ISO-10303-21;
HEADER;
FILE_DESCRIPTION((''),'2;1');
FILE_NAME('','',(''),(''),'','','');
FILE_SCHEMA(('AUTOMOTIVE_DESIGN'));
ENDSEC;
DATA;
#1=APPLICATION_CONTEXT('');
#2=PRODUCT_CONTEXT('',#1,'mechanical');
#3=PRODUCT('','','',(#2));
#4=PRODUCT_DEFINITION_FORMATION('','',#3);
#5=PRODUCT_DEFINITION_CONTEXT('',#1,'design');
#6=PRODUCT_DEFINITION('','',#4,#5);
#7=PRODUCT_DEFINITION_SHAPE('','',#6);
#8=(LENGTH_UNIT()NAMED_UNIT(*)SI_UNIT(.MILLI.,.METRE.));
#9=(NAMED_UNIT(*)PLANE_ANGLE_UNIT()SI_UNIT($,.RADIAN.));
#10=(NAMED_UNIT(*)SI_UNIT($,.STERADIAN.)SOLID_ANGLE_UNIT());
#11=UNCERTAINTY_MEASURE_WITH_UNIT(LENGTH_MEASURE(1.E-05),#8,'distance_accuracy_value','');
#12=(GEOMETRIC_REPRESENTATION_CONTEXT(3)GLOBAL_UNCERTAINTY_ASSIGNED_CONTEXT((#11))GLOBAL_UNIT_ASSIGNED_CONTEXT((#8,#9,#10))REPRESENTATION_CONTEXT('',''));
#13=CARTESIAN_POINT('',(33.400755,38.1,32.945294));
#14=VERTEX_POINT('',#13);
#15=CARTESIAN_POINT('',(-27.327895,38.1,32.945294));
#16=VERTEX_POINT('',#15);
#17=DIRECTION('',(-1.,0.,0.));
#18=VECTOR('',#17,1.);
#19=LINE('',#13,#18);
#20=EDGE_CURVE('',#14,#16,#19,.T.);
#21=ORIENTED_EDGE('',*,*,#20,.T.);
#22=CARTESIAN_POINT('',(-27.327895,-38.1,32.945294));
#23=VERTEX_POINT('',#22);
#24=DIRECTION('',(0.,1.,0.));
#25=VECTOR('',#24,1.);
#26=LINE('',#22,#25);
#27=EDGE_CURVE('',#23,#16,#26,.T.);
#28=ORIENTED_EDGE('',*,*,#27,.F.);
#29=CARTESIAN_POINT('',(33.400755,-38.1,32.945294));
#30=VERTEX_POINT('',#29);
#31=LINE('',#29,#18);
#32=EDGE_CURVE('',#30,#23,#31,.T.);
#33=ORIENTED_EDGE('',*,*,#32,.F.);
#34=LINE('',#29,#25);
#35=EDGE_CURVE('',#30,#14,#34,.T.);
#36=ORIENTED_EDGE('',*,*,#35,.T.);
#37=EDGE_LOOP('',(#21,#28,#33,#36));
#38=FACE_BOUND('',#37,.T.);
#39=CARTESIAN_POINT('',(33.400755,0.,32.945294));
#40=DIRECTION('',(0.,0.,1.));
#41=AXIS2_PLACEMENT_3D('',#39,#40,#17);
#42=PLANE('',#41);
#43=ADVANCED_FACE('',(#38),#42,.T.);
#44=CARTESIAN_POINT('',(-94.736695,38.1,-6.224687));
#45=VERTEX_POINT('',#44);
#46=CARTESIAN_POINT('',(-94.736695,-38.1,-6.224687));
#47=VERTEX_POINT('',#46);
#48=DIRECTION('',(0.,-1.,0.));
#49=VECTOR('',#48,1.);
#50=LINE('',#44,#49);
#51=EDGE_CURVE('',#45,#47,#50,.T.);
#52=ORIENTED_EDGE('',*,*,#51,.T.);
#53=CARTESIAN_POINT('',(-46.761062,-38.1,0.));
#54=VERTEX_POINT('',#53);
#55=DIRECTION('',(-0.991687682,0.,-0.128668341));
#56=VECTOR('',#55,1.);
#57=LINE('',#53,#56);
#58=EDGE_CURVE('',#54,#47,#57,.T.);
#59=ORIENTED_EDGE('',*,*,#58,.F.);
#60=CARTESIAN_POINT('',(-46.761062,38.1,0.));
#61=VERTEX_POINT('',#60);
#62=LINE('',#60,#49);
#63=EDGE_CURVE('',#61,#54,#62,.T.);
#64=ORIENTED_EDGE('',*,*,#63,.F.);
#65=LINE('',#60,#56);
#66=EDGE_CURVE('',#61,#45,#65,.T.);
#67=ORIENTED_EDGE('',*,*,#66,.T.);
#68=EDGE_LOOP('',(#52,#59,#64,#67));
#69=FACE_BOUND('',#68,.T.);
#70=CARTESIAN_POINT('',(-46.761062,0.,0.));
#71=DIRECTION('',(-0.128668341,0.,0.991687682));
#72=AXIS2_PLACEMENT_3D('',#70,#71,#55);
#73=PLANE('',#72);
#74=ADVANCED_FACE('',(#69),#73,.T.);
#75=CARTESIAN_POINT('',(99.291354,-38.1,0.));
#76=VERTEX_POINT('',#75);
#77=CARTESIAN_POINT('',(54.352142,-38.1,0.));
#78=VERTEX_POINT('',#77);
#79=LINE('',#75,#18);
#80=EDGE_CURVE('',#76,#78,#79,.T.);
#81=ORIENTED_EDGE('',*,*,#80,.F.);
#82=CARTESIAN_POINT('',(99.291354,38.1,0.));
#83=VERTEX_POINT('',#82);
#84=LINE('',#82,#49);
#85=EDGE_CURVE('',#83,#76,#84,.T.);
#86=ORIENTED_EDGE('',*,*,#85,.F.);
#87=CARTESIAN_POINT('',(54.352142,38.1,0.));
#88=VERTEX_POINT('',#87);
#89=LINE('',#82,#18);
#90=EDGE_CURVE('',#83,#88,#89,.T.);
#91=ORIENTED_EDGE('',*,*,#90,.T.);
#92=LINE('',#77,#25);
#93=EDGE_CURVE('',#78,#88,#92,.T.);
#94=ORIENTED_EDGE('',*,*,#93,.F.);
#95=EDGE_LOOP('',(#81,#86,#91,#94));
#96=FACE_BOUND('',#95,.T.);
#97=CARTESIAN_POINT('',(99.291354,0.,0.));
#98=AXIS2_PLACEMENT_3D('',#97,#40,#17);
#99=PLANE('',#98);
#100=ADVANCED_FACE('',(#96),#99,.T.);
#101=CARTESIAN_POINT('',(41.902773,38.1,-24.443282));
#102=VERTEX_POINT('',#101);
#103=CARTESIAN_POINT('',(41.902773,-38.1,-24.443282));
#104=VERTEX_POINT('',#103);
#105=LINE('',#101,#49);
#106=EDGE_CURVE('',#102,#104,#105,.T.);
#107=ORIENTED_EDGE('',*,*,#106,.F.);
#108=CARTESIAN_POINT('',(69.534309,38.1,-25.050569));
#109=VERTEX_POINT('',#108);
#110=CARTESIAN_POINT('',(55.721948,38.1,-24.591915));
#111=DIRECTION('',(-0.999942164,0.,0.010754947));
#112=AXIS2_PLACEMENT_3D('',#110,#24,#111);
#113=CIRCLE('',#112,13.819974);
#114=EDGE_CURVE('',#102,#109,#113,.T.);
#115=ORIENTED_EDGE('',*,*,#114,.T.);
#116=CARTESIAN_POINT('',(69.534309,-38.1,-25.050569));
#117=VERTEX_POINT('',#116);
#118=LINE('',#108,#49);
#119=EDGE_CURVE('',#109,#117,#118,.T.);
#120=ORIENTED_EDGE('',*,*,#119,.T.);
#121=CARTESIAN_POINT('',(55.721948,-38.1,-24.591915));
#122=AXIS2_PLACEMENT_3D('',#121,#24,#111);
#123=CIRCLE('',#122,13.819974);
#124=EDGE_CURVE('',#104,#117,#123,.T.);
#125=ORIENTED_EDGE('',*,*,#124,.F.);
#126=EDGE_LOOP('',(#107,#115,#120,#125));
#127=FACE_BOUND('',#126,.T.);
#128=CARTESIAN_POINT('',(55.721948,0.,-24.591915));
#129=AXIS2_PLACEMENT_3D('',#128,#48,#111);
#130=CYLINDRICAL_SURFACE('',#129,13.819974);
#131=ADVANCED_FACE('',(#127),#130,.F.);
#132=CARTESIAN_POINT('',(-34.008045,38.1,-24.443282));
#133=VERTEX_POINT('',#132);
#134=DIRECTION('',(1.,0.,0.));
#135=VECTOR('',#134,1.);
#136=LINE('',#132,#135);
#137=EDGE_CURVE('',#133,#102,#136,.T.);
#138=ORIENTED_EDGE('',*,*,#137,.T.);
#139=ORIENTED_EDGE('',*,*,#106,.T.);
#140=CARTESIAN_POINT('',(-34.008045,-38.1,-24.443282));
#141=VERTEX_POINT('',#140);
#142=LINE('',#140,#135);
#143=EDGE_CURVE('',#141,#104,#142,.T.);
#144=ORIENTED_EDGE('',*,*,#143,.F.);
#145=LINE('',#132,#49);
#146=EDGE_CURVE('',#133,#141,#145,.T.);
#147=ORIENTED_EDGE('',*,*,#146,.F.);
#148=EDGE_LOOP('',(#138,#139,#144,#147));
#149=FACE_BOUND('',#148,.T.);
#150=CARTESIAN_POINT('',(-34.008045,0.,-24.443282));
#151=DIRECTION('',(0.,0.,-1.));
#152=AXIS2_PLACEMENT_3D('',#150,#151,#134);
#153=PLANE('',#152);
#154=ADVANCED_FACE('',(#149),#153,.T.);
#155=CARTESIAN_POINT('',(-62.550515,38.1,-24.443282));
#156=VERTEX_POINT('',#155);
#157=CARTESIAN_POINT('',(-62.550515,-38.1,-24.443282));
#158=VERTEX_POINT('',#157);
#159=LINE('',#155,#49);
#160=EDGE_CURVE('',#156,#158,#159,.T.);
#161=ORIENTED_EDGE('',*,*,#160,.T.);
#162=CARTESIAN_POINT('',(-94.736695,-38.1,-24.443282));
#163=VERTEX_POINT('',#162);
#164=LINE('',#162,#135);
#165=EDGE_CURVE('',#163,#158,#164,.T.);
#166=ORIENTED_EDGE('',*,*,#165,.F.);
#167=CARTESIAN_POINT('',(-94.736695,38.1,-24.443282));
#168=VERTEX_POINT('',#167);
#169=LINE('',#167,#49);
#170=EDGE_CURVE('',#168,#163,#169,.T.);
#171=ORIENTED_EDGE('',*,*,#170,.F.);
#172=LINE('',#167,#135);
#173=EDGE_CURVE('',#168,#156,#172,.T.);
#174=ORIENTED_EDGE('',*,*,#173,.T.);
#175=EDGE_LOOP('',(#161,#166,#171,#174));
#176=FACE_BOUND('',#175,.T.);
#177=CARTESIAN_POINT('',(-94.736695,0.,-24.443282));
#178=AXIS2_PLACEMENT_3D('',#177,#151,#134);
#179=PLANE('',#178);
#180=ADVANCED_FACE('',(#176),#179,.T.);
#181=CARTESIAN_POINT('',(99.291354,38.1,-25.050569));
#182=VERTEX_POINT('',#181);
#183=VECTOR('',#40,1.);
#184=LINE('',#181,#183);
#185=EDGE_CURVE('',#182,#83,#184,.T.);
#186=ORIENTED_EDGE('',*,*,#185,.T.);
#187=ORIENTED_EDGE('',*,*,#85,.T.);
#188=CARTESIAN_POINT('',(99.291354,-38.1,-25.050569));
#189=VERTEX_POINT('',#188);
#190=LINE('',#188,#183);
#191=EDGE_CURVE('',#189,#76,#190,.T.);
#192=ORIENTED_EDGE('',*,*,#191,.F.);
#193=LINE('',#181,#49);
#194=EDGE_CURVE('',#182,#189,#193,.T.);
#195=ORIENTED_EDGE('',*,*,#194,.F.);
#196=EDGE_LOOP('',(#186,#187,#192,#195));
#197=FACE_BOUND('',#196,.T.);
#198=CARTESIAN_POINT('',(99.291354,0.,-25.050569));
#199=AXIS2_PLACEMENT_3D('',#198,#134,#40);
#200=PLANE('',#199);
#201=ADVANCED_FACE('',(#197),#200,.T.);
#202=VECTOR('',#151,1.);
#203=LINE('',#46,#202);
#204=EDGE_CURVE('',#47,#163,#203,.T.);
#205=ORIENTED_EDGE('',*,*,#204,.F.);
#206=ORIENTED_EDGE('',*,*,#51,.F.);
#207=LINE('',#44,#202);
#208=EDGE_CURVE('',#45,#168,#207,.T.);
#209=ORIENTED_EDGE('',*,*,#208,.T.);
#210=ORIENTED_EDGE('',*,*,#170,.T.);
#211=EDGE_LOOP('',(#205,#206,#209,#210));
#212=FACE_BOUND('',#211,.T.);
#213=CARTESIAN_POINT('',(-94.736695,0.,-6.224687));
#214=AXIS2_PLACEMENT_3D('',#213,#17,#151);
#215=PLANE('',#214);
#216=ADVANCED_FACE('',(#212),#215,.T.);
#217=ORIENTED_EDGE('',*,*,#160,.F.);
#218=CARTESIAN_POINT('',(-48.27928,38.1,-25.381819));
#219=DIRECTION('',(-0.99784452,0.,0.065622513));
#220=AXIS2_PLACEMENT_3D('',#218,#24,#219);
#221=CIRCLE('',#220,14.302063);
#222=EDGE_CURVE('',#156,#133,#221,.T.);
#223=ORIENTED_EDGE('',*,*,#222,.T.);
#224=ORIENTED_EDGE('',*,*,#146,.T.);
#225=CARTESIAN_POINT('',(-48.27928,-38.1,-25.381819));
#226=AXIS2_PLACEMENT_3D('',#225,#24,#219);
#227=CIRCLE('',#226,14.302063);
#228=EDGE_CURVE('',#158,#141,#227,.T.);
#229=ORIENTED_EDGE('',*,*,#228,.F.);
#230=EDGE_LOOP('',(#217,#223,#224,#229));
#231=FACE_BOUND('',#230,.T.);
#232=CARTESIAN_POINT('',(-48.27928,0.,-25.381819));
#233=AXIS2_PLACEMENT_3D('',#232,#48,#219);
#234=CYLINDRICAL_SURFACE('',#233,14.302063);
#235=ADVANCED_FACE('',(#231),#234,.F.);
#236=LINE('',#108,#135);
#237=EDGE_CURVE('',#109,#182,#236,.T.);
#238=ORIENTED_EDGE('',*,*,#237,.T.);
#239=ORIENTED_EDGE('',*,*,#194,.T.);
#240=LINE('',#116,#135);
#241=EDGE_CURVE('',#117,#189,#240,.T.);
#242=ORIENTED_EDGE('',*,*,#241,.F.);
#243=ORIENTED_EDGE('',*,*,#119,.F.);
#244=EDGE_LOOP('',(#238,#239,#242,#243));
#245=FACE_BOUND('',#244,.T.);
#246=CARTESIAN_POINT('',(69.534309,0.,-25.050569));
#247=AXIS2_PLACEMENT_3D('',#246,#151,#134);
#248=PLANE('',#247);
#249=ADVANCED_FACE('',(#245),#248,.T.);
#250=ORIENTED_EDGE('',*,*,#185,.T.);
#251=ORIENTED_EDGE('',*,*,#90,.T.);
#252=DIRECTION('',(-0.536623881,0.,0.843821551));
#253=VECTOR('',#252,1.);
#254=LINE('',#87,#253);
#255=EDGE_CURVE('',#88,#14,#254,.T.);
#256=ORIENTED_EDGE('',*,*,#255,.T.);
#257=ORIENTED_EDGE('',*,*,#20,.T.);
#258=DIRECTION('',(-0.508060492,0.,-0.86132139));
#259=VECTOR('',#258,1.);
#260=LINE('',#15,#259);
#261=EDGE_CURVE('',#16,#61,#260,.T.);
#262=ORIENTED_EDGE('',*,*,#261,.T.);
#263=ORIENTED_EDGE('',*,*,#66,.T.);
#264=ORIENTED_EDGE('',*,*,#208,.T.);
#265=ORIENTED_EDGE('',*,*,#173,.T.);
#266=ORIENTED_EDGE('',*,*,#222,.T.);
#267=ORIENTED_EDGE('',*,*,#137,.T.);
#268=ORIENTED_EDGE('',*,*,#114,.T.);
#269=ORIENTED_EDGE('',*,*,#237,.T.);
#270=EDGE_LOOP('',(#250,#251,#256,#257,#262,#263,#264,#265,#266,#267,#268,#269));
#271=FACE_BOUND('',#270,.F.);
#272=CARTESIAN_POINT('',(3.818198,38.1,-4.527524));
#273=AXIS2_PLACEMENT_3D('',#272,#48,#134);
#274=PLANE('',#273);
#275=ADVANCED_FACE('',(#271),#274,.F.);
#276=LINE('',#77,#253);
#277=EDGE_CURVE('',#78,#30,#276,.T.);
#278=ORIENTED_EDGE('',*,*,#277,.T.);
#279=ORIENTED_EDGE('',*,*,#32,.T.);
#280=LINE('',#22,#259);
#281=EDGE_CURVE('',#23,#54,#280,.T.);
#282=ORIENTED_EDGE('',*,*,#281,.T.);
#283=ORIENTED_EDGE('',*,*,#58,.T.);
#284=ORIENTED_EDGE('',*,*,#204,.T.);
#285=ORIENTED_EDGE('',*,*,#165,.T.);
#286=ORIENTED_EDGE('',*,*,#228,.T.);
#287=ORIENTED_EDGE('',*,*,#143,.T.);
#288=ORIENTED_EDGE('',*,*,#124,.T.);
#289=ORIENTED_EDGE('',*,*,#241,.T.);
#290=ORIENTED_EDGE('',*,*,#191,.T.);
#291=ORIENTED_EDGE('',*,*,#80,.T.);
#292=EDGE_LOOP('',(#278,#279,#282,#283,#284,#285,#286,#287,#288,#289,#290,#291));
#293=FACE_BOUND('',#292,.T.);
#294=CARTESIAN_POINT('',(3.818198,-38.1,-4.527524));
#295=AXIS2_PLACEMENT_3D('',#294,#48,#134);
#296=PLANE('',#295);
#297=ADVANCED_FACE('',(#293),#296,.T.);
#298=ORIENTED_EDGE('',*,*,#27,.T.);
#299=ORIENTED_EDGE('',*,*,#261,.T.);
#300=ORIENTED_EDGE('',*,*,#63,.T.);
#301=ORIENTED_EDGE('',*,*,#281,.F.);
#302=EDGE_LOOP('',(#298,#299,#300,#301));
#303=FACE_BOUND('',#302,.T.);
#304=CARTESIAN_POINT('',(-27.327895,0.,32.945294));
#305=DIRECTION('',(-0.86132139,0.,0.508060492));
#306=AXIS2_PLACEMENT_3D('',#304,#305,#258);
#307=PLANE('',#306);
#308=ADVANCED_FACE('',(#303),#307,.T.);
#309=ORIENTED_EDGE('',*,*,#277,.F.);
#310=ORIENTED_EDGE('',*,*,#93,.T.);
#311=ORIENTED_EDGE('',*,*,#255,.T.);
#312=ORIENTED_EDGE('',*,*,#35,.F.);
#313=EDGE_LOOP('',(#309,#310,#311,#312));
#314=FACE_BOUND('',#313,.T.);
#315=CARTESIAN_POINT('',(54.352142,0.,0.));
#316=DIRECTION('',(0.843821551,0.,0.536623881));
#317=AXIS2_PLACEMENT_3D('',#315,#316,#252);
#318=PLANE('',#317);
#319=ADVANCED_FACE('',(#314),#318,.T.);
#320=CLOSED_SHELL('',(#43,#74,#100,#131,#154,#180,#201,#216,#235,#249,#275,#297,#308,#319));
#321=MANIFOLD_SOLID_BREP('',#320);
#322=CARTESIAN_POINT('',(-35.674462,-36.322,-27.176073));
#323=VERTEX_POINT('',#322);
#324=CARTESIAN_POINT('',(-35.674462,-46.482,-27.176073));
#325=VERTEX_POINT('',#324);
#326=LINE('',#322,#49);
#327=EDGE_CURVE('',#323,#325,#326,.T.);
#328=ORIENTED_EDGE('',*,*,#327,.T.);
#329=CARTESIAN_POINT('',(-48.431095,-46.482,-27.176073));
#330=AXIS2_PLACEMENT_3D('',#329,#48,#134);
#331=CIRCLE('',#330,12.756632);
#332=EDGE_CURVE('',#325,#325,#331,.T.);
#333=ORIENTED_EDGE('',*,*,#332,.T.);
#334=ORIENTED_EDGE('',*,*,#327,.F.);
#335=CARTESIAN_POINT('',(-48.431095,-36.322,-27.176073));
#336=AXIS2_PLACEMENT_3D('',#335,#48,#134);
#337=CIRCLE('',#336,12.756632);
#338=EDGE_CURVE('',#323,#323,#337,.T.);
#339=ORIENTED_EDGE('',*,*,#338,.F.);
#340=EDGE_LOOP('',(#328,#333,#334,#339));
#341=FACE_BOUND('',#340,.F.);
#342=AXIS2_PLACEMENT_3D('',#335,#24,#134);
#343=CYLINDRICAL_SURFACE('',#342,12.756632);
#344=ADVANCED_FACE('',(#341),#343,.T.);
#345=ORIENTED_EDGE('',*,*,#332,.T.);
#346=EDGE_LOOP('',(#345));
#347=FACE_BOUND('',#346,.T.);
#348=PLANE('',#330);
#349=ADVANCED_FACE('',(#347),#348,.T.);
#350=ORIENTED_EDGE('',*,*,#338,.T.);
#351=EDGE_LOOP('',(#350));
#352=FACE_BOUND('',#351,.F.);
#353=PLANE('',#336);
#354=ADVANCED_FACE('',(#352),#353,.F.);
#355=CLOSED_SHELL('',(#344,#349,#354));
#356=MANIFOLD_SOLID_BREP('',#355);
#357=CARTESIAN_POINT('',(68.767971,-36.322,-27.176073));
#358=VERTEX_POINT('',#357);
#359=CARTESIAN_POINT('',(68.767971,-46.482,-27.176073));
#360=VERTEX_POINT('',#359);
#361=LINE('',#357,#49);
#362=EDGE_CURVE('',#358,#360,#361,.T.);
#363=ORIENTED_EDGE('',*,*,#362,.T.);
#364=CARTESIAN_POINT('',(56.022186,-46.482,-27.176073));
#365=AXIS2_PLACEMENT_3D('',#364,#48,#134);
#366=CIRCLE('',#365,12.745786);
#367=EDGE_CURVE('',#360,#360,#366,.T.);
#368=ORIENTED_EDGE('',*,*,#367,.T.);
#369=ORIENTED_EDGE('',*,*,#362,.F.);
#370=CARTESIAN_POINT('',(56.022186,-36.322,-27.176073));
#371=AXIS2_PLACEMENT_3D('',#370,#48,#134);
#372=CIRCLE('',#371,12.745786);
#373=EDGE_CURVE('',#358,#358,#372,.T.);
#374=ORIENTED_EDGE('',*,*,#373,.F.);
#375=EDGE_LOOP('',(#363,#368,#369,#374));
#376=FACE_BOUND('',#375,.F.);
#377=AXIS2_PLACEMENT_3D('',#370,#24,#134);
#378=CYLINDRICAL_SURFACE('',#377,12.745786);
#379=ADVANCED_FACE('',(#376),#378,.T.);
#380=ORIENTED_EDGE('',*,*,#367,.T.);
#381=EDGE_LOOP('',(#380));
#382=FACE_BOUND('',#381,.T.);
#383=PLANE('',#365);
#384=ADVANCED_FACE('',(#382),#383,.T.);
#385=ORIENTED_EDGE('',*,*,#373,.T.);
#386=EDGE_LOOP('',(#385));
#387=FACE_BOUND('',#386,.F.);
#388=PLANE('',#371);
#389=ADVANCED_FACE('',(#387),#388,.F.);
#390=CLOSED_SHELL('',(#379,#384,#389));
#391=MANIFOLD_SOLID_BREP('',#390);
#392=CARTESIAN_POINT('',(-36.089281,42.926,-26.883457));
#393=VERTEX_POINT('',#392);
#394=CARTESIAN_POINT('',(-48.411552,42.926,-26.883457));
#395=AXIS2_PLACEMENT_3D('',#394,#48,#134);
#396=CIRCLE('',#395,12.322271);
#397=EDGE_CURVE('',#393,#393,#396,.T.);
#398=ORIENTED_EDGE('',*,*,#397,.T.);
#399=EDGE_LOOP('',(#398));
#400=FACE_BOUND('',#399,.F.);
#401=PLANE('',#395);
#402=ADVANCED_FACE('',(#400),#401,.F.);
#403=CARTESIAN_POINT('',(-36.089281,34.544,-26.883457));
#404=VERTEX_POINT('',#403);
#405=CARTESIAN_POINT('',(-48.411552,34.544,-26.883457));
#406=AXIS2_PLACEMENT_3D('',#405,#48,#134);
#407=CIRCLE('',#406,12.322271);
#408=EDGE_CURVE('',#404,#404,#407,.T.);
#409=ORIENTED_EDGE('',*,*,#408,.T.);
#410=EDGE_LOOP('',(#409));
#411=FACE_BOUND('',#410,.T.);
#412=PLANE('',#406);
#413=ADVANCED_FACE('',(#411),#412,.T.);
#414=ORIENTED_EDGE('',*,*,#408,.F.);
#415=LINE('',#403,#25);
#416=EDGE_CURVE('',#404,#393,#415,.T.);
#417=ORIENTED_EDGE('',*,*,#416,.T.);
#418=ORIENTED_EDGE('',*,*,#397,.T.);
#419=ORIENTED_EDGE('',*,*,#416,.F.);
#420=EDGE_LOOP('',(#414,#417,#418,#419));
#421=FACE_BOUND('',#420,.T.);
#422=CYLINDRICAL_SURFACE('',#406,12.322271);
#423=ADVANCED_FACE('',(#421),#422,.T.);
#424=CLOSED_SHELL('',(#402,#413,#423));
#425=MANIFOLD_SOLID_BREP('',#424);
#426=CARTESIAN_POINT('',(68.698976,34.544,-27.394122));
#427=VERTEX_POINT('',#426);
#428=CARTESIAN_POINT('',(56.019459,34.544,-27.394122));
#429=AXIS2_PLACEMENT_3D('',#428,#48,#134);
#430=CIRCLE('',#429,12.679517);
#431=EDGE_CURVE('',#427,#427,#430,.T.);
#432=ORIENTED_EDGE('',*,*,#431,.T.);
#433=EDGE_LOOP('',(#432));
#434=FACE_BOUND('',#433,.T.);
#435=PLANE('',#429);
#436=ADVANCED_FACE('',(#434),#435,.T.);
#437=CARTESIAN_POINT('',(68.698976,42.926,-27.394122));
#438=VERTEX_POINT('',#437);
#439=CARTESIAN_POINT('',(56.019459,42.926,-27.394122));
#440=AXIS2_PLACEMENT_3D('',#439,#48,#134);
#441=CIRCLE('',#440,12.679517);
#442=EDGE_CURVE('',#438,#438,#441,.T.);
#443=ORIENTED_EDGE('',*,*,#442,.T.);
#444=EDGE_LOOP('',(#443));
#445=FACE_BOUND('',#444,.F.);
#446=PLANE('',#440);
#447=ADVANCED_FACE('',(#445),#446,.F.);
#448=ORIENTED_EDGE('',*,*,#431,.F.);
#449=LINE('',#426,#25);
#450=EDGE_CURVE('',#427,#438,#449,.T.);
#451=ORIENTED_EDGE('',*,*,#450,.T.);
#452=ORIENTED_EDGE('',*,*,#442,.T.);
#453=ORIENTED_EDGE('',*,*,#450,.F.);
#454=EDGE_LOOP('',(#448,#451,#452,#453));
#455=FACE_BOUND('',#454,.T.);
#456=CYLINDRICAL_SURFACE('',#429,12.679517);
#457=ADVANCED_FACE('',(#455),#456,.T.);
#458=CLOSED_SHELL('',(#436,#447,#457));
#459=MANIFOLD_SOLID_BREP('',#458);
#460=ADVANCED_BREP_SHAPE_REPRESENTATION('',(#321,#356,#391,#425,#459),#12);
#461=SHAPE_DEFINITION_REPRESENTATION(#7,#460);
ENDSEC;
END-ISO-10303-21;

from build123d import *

# Parameters (mm, degrees)
F1_DEPTH      = 38.1
F1_DEPTH_BACK = 38.1
F3_START      = 36.322
F2_R          = 12.7566324115
F3_DEPTH      = 10.16
F2_R_2        = 12.7457855715
F5_START      = -34.544
F4_R          = 12.6795167038
F5_DEPTH      = 8.382
F4_R_2        = 12.3222708478


with BuildPart() as f1:
    # F0 (on Front) → F1 (new body, two sides)
    with BuildSketch(Plane.XZ) as f1_sk:
        with BuildLine():
            Line((-27.3278951645, 32.9452939332), (-46.7610619962, 0))
            Line((-46.7610619962, 0), (-94.7366952896, -6.2246867456))
            Line((-94.7366952896, -6.2246867456), (-94.7366952896, -24.4432818145))
            Line((-94.7366952896, -24.4432818145), (-62.5505149364, -24.4432818145))
            ThreePointArc((-62.5505149364, -24.4432818145), (-48.279279843, -11.0797562121), (-34.0080447495, -24.4432818145))
            Line((-34.0080447495, -24.4432818145), (41.9027730823, -24.4432818145))
            ThreePointArc((41.9027730823, -24.4432818145), (56.0256108459, -10.775277267), (69.5343092084, -25.0505693257))
            Line((69.5343092084, -25.0505693257), (99.2913544178, -25.0505693257))
            Line((99.2913544178, -25.0505693257), (99.2913544178, 0))
            Line((99.2913544178, 0), (54.3521419168, 0))
            Line((54.3521419168, 0), (33.4007553756, 32.9452939332))
            Line((33.4007553756, 32.9452939332), (-27.3278951645, 32.9452939332))
        make_face()
    extrude(amount=F1_DEPTH)
    extrude(f1_sk.sketch, amount=-F1_DEPTH_BACK)


with BuildPart() as f3:
    # F2 (on Front) → F3 (new body)
    with BuildSketch(Plane.XZ.offset(F3_START)):
        with Locations((-48.4310947359, -27.176072821)):
            Circle(F2_R)
    extrude(amount=F3_DEPTH)


with BuildPart() as f3b:
    # F2 (on Front) → F3, piece 2 (new body)
    with BuildSketch(Plane.XZ.offset(F3_START)):
        with Locations((56.0221858323, -27.176072821)):
            Circle(F2_R_2)
    extrude(amount=F3_DEPTH)


with BuildPart() as f5:
    # F4 (on Front) → F5 (new body)
    with BuildSketch(Plane.XZ.offset(F5_START)):
        with Locations((56.0194589198, -27.3941215128)):
            Circle(F4_R)
    extrude(amount=-F5_DEPTH)


with BuildPart() as f5b:
    # F4 (on Front) → F5, piece 2 (new body)
    with BuildSketch(Plane.XZ.offset(F5_START)):
        with Locations((-48.411551863, -26.883456856)):
            Circle(F4_R_2)
    extrude(amount=-F5_DEPTH)


solid = Compound([f1.part, f3.part, f3b.part, f5.part, f5b.part])
